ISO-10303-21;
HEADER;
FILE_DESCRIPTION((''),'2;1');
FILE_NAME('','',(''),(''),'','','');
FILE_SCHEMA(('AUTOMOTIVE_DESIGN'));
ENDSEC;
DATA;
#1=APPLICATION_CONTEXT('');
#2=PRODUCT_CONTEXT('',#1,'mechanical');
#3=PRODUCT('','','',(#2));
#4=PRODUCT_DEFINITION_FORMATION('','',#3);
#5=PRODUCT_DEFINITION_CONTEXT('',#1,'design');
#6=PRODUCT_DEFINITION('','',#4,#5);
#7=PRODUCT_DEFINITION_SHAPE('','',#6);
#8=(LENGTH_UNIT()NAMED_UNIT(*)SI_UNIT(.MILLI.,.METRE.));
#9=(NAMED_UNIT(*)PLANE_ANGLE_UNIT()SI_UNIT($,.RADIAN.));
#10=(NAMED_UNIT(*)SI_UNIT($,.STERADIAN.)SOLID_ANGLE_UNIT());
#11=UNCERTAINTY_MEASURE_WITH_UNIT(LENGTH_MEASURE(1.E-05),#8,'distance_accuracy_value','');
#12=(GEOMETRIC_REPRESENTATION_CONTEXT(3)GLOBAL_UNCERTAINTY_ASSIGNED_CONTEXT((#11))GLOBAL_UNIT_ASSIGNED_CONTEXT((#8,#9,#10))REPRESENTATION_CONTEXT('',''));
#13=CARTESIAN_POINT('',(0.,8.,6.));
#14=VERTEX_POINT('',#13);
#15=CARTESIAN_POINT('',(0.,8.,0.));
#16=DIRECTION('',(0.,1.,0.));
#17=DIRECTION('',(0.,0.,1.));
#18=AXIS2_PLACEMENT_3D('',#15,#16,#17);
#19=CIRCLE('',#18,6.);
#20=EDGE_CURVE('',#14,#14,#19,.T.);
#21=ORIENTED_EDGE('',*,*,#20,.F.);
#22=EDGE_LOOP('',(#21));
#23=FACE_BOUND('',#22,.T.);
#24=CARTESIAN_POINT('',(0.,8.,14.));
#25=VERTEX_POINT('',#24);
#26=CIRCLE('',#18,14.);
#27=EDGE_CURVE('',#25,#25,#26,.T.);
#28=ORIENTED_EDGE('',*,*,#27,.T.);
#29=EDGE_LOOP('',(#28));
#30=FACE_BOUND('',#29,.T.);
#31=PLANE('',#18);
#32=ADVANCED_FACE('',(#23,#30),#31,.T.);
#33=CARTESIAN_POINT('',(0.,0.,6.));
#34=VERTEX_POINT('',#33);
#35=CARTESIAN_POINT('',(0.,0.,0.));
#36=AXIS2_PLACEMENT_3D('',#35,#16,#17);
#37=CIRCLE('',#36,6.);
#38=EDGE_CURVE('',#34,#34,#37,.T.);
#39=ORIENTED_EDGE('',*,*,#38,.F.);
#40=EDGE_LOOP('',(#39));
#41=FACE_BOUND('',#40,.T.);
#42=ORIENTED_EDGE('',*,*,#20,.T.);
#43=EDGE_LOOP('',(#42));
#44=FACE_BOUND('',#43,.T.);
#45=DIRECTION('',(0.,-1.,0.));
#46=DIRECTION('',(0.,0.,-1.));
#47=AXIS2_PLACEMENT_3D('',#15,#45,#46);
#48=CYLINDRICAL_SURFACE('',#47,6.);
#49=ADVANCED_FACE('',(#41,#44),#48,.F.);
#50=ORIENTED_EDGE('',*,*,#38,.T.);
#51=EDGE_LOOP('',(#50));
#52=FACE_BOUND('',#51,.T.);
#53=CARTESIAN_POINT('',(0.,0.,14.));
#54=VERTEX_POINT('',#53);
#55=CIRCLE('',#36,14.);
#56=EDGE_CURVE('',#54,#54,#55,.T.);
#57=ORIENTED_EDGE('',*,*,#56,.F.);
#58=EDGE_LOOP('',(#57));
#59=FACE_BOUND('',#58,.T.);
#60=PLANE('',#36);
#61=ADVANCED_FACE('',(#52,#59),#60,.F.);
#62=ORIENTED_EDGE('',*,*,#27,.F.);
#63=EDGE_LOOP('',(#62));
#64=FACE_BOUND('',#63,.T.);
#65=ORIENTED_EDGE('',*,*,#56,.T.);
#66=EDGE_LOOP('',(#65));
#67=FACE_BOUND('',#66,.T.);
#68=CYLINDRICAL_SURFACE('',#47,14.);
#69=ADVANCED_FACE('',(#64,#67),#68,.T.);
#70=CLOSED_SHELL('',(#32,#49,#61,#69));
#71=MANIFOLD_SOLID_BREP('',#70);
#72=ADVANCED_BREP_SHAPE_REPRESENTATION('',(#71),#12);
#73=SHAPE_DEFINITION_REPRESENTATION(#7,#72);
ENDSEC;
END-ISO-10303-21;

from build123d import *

# Parameters (mm, degrees)
ESQUISSE1_R        = 14
ESQUISSE1_R_2      = 6
BOSS_EXTRU_1_DEPTH = 8


with BuildPart() as part:
    # Esquisse1 → Boss.-Extru.1 (new body)
    with BuildSketch(Plane(origin=(0, 0, 0), x_dir=(1, 0, 0), z_dir=(0, 1, 0))):
        Circle(ESQUISSE1_R)
        Circle(ESQUISSE1_R_2, mode=Mode.SUBTRACT)
    extrude(amount=BOSS_EXTRU_1_DEPTH)


solid = part.part
